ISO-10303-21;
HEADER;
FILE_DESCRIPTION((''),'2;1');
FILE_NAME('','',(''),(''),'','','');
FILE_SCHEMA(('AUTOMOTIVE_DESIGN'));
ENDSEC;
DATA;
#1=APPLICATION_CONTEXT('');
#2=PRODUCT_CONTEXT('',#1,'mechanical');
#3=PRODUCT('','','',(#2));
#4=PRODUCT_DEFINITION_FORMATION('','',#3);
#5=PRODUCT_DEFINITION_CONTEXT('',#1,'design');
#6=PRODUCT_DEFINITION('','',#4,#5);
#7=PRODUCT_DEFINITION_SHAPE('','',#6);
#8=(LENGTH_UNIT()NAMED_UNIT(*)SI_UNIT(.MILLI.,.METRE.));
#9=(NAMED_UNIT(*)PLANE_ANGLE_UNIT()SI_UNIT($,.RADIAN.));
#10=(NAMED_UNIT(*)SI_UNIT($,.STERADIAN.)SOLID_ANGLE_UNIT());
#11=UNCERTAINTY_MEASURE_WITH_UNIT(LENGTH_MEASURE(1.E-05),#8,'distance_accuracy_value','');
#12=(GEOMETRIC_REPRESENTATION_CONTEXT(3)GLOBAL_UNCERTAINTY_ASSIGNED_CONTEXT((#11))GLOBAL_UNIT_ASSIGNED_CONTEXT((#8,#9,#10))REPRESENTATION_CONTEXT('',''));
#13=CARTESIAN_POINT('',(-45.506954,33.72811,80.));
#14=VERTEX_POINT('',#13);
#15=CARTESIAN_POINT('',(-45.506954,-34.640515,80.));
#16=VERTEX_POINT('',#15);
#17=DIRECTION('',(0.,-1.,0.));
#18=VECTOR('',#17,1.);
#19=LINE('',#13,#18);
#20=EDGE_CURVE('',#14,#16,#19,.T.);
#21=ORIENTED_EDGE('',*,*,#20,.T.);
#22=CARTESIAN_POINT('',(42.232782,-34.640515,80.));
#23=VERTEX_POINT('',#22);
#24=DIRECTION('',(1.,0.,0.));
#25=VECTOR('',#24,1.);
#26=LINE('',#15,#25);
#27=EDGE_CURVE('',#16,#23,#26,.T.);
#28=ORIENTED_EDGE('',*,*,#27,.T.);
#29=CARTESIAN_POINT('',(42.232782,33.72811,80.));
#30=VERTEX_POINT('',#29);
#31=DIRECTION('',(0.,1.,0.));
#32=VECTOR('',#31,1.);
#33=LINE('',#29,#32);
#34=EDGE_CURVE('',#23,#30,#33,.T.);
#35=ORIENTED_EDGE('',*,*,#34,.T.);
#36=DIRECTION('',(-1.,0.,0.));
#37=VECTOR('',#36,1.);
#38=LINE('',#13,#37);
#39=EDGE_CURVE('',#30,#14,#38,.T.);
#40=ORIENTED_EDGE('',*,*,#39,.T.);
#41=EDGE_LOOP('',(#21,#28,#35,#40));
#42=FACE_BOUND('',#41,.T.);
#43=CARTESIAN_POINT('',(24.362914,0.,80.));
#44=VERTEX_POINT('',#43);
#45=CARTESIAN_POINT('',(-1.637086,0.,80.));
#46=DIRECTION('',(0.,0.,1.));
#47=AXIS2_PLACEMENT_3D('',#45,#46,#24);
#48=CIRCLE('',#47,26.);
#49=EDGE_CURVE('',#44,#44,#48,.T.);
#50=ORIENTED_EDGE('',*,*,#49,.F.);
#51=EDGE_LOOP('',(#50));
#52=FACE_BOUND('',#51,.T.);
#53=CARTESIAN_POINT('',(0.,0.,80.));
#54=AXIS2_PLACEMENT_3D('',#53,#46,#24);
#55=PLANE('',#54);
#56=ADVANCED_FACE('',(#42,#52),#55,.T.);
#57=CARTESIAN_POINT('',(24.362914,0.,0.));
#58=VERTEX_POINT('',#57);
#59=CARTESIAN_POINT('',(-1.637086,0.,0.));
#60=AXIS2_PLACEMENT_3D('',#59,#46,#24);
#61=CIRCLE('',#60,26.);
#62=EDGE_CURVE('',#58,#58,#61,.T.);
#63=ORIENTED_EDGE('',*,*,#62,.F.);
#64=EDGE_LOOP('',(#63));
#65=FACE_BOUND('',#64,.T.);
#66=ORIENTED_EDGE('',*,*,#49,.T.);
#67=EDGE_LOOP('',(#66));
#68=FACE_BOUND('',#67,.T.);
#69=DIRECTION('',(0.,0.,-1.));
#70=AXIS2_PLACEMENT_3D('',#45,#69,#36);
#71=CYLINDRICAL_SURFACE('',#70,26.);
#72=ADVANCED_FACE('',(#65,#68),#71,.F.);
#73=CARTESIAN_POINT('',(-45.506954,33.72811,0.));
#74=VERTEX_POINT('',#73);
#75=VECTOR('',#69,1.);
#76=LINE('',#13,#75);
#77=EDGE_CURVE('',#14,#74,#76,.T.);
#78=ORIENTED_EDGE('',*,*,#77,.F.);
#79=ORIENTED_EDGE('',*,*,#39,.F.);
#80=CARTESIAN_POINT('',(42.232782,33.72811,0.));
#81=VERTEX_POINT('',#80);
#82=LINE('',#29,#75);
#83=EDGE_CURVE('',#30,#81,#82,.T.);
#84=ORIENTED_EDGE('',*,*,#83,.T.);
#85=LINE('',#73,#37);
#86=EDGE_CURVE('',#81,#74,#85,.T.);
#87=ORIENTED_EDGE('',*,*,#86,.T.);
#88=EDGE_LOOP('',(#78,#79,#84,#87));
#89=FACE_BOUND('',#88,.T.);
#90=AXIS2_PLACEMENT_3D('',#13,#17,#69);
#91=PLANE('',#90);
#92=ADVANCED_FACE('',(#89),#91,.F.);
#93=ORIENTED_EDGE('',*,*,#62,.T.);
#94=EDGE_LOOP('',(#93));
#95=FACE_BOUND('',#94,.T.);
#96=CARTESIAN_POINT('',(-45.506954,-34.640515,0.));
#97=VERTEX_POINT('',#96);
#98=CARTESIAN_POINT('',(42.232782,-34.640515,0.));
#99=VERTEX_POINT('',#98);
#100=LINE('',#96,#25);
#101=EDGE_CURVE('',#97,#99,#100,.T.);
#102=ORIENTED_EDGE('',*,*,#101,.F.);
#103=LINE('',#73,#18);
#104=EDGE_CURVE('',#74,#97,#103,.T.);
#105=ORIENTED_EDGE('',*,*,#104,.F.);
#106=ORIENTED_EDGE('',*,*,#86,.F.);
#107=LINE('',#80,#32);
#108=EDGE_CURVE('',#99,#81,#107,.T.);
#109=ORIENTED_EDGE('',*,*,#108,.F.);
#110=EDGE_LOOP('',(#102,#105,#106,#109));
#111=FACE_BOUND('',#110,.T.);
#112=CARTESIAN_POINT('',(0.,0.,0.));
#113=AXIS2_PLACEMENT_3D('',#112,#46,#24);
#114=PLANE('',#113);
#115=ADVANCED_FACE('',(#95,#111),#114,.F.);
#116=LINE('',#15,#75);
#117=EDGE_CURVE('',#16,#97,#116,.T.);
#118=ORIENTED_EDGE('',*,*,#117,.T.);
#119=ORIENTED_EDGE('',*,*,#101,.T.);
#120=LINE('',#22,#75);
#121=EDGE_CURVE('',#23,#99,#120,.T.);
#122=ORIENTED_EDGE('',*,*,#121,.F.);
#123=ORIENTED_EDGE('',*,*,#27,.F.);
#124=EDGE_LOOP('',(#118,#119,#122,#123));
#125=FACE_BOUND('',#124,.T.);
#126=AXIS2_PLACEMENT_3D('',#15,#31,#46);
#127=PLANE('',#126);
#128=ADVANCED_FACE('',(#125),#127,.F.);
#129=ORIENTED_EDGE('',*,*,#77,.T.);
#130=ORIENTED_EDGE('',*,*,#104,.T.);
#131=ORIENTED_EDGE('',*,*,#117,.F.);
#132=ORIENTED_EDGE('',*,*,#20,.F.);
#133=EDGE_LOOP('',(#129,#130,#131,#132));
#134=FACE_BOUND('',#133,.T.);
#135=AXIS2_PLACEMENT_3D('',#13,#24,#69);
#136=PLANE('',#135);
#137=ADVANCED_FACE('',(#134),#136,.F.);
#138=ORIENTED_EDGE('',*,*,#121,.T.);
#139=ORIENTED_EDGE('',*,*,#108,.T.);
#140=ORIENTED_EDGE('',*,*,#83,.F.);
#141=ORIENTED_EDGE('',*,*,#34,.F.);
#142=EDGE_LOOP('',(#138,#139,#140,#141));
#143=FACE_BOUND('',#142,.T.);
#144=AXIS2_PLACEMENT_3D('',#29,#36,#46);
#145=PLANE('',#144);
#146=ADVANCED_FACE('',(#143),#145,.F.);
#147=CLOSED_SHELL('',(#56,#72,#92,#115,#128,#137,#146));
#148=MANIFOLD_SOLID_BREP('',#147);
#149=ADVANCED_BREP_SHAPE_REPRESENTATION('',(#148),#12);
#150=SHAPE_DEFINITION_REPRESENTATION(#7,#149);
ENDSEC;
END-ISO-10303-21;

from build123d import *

# Parameters (mm, degrees)
SKETCH_1_W      = 87.739735524
SKETCH_1_H      = 68.368625084
SKETCH_1_R      = 26
EXTRUDE_1_DEPTH = 80


with BuildPart() as part:
    # 草图1 → 凸台-拉伸1 (new body)
    with BuildSketch(Plane.XY):
        with Locations((-1.63708593, -0.456202936)):
            Rectangle(SKETCH_1_W, SKETCH_1_H)
        with Locations((-1.63708593, 0)):
            Circle(SKETCH_1_R, mode=Mode.SUBTRACT)
    extrude(amount=EXTRUDE_1_DEPTH)


solid = part.part
